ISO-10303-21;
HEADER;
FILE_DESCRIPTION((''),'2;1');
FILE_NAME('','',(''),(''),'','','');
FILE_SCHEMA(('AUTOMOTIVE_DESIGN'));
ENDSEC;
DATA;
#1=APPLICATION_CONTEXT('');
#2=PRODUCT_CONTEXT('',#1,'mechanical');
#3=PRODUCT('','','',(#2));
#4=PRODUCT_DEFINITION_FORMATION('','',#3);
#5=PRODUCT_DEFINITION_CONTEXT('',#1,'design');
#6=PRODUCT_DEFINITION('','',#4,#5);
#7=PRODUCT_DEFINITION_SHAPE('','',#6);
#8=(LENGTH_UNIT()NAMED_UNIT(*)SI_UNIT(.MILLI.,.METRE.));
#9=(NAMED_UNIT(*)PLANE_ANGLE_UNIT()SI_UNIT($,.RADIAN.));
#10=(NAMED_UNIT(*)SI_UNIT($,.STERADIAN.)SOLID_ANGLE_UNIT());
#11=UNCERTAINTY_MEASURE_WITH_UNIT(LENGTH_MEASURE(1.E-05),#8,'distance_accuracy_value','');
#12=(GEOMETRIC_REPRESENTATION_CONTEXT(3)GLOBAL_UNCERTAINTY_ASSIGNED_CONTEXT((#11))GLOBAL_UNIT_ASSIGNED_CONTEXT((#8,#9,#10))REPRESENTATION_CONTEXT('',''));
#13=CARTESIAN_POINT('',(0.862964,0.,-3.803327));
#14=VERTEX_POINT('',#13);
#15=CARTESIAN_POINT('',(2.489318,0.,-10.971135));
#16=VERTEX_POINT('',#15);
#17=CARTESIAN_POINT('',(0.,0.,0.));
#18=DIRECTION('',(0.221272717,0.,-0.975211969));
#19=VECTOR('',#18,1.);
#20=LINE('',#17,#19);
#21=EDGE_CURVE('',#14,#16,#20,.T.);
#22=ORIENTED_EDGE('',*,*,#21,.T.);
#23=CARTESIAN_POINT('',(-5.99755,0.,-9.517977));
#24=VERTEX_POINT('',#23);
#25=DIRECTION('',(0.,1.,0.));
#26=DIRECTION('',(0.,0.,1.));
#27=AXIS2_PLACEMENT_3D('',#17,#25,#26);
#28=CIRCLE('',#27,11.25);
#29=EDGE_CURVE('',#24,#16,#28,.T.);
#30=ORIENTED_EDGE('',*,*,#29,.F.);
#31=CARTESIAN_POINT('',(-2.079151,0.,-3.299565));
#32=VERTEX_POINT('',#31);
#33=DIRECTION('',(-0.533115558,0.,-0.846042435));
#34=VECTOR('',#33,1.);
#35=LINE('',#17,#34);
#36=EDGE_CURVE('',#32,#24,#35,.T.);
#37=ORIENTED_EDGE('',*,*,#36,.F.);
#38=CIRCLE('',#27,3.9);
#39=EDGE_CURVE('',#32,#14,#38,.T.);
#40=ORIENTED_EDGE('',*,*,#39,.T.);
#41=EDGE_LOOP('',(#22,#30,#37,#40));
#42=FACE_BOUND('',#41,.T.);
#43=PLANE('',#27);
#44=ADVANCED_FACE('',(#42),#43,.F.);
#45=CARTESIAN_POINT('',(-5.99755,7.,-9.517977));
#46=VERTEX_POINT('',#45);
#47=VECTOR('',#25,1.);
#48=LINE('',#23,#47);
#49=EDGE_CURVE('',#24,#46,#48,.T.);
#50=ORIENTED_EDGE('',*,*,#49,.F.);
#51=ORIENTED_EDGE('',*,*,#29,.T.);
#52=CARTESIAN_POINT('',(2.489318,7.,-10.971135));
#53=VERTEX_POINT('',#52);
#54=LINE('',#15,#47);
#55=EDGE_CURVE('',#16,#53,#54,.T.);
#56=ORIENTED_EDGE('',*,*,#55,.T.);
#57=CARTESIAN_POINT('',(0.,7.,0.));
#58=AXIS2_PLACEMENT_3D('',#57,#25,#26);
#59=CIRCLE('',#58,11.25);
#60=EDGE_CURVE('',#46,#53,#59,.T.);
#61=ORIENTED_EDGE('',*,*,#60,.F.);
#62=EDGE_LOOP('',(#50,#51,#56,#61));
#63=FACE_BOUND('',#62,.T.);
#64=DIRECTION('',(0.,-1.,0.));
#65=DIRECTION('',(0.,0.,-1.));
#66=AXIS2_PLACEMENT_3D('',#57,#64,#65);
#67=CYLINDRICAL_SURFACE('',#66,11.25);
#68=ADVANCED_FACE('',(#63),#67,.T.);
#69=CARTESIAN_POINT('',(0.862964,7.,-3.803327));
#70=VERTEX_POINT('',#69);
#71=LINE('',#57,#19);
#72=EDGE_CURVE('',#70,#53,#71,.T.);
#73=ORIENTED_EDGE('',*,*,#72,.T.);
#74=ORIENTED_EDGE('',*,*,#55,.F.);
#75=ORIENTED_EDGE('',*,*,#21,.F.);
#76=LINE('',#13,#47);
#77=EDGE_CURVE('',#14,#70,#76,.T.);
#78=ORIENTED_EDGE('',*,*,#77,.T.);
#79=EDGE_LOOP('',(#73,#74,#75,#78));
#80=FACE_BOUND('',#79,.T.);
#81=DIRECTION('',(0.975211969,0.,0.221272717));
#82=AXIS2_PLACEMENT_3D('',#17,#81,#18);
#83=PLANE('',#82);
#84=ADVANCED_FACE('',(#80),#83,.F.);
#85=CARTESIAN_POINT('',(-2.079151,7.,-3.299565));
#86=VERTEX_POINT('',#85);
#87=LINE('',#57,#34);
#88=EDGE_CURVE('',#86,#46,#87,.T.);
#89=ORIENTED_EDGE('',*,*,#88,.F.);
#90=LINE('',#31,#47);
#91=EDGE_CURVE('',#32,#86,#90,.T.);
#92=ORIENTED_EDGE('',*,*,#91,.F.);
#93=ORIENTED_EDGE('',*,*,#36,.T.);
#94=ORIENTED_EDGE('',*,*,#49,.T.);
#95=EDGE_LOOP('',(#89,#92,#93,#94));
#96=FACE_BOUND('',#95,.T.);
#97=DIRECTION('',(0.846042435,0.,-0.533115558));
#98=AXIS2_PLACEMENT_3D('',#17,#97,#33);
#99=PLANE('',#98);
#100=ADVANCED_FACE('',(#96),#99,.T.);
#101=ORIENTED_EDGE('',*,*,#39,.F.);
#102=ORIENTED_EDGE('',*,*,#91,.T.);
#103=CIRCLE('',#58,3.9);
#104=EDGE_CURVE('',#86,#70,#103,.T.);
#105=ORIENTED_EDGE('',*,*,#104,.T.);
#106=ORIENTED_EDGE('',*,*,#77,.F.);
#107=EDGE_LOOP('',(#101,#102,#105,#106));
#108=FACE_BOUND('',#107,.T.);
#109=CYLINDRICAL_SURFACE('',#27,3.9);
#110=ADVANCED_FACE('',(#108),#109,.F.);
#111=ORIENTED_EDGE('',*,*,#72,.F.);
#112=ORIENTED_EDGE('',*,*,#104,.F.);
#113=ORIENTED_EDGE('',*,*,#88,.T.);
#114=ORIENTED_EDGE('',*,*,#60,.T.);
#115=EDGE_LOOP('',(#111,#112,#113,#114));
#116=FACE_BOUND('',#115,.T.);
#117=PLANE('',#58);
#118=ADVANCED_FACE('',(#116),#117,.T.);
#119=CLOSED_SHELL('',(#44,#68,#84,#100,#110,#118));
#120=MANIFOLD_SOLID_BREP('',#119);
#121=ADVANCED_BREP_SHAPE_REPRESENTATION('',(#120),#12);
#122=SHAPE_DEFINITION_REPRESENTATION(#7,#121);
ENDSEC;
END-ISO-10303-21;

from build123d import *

# Parameters (mm, degrees)
SKETCH1_R           = 11.25
BOSS_EXTRUDE1_DEPTH = 7
SKETCH2_R           = 3.9
CUT_EXTRUDE1_DEPTH  = 7
CUT_EXTRUDE2_DEPTH  = 7


with BuildPart() as part:
    # Sketch1 → Boss-Extrude1 (new body)
    with BuildSketch(Plane(origin=(0, 0, 0), x_dir=(1, 0, 0), z_dir=(0, 1, 0))):
        Circle(SKETCH1_R)
    extrude(amount=BOSS_EXTRUDE1_DEPTH)

    # Sketch2 → Cut-Extrude1 (cut)
    with BuildSketch(Plane(origin=(0, 7, 0), x_dir=(1, 0, 0), z_dir=(0, 1, 0))):
        Circle(SKETCH2_R)
    extrude(amount=-CUT_EXTRUDE1_DEPTH, mode=Mode.SUBTRACT)

    # Sketch3 → Cut-Extrude2 (cut)
    with BuildSketch(Plane(origin=(0, 7, 0), x_dir=(1, 0, 0), z_dir=(0, 1, 0))):
        with BuildLine():
            ThreePointArc((-2.079150674, 3.299565498), (-0.658195703, 3.844057546), (0.862963598, 3.803326679))
            Line((0.862963598, 3.803326679), (2.48931807, 10.971134652))
            ThreePointArc((2.48931807, 10.971134652), (-1.898641451, 11.088627536), (-5.997550022, 9.517977397))
            Line((-5.997550022, 9.517977397), (-2.079150674, 3.299565498))
        make_face()
    extrude(amount=-CUT_EXTRUDE2_DEPTH, mode=Mode.SUBTRACT)


solid = part.part
